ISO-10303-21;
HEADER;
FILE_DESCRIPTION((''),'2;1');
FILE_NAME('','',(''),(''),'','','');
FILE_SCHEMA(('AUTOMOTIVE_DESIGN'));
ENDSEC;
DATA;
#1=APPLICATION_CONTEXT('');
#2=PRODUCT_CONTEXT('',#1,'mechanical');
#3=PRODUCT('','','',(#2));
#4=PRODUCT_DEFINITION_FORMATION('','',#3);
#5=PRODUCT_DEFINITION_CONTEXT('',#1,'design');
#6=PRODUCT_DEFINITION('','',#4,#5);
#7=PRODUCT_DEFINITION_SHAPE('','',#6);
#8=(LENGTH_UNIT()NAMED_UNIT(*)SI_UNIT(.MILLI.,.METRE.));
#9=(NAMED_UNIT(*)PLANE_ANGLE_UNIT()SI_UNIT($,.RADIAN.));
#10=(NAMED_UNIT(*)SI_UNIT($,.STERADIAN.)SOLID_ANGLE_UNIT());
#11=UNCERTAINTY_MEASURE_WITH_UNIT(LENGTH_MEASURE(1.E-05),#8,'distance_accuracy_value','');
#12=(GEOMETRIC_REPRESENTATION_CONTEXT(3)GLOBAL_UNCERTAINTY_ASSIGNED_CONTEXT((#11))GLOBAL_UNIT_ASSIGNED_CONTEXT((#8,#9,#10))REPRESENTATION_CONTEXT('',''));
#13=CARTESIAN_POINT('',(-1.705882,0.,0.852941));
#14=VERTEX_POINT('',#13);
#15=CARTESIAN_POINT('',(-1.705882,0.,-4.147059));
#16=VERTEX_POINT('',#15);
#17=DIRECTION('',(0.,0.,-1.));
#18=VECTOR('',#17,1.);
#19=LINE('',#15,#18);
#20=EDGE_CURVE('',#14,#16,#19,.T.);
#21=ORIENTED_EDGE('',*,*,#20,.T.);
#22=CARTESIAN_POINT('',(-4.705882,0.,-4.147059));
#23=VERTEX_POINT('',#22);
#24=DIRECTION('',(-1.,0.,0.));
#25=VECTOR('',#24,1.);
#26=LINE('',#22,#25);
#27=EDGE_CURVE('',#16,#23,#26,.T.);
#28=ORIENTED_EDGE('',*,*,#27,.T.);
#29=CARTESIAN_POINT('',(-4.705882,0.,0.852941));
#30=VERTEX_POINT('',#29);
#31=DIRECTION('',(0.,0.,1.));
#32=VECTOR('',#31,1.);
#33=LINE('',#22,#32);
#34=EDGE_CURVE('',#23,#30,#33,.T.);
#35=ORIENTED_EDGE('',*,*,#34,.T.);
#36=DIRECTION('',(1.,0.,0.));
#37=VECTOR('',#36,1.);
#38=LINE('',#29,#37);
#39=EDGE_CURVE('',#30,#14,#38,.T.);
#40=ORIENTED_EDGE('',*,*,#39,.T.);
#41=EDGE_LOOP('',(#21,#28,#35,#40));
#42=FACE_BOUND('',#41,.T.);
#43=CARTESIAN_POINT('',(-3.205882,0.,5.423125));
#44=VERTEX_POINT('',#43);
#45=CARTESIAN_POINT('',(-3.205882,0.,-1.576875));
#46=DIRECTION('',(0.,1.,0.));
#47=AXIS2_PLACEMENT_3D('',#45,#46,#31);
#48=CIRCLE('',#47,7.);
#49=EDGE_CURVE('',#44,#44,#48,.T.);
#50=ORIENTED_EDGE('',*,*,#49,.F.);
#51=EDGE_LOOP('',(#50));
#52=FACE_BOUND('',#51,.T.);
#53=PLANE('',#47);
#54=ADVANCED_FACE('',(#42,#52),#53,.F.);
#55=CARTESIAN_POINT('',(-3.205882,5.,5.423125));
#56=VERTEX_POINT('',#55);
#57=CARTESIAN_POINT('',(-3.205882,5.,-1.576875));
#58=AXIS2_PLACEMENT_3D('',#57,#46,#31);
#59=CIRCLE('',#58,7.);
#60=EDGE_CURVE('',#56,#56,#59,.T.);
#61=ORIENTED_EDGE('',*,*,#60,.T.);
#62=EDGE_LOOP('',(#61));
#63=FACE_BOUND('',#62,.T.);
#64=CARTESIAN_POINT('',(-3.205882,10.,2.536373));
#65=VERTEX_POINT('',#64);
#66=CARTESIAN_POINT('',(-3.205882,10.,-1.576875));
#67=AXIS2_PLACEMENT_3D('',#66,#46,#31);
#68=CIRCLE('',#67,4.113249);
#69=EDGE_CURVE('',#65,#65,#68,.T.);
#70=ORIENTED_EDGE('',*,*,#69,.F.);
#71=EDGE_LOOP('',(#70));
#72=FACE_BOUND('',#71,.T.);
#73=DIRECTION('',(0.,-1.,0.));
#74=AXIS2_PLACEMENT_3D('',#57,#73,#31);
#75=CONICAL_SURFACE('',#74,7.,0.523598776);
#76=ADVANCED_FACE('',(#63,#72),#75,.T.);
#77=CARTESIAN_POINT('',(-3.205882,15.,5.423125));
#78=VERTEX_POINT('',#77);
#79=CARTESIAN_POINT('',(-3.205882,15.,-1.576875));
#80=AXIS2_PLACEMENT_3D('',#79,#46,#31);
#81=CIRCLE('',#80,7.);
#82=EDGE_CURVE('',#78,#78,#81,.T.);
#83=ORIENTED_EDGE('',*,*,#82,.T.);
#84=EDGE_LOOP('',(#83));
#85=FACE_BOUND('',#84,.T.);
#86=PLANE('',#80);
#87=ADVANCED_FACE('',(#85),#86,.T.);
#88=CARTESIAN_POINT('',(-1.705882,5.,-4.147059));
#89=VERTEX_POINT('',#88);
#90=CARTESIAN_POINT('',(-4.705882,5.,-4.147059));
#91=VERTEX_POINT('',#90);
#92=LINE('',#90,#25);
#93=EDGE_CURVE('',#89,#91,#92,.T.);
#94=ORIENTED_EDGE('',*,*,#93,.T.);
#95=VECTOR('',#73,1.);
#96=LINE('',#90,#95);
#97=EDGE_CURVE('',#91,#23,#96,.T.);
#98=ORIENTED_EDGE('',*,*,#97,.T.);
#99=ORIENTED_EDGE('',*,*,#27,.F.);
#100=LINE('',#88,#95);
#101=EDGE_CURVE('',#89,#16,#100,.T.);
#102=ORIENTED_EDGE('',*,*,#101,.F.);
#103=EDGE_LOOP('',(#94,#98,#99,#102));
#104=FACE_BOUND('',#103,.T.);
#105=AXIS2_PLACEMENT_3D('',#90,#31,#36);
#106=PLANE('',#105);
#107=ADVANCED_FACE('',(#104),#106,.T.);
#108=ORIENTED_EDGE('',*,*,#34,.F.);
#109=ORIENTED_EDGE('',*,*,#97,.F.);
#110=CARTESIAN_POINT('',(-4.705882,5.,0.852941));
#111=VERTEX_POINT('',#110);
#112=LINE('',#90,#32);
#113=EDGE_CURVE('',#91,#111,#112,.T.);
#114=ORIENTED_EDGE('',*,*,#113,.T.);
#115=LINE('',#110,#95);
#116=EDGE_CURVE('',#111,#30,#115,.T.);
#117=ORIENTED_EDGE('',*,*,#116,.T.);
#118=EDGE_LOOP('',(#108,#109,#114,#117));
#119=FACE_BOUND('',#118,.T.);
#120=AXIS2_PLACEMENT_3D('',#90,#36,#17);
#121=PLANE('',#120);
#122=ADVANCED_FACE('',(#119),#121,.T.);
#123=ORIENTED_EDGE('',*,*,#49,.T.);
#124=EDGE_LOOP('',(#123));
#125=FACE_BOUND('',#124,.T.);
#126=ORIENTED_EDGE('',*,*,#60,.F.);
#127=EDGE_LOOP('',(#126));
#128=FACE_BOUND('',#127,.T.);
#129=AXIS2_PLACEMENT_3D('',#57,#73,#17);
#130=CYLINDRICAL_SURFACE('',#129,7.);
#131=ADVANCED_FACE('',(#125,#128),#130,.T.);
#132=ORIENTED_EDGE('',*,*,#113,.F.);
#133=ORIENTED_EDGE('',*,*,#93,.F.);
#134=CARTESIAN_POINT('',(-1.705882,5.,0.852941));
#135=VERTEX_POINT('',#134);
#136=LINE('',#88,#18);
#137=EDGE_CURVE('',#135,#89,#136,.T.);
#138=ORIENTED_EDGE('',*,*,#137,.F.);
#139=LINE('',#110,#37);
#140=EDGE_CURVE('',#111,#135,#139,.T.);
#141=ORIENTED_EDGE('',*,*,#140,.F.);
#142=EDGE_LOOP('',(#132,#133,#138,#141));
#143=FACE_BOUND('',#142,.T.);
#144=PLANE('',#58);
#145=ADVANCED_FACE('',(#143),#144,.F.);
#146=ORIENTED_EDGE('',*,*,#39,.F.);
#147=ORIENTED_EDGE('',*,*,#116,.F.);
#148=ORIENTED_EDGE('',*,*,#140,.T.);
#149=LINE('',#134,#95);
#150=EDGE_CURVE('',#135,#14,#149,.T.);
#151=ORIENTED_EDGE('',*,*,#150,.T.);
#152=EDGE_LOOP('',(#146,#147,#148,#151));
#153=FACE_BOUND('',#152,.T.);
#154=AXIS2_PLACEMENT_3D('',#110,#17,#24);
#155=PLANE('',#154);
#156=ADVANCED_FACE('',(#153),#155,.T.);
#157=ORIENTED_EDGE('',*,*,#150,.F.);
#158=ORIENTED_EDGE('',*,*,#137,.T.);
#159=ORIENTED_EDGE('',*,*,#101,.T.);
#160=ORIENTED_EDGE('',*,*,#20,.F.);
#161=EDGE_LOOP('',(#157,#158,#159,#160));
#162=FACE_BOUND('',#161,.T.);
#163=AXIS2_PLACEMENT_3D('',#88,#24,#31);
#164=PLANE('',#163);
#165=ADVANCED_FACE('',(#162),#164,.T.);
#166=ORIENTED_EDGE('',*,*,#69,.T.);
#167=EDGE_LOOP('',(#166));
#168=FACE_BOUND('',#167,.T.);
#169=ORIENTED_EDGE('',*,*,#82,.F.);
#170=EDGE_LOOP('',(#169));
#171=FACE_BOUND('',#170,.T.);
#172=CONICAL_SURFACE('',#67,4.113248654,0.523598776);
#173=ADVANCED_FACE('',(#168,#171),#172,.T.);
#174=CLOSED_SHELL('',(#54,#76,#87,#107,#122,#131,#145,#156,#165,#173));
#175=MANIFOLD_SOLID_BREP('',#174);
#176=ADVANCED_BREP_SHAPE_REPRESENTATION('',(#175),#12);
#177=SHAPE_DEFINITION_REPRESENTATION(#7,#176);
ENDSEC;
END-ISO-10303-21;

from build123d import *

# Parameters (mm, degrees)
SKETCH2_R           = 7
SKETCH2_W           = 3
SKETCH2_H           = 5
BOSS_EXTRUDE1_DEPTH = 5
SKETCH3_R           = 7
BOSS_EXTRUDE2_DEPTH = 5
BOSS_EXTRUDE2_TAPER = 30
SKETCH4_R           = 4.113248654
BOSS_EXTRUDE3_DEPTH = 5
BOSS_EXTRUDE3_DRAFT = -30


with BuildPart() as part:
    # Sketch2 → Boss-Extrude1 (new body)
    with BuildSketch(Plane(origin=(0, 0, 0), x_dir=(1, 0, 0), z_dir=(0, 1, 0))):
        with Locations(Location((-3.205882353, 1.576875202, 0), (0, 0, 270))):
            Circle(SKETCH2_R)
        with Locations((-3.205882353, 1.647058824)):
            Rectangle(SKETCH2_W, SKETCH2_H, mode=Mode.SUBTRACT)
    extrude(amount=BOSS_EXTRUDE1_DEPTH)

    # Sketch3 → Boss-Extrude2 (add)
    with BuildSketch(Plane(origin=(0, 5, 0), x_dir=(1, 0, 0), z_dir=(0, 1, 0))):
        with Locations(Location((-3.205882353, 1.576875202, 0), (0, 0, 270))):
            Circle(SKETCH3_R)
    extrude(amount=BOSS_EXTRUDE2_DEPTH, taper=BOSS_EXTRUDE2_TAPER)


with BuildPart() as boss_extrude3_tool:
    # Sketch4 → Boss-Extrude3 (with draft: the straight prism first)
    with BuildSketch(Plane(origin=(0, 10, 0), x_dir=(1, 0, 0), z_dir=(0, 1, 0))):
        with Locations((-3.205882353, 1.576875202)):
            Circle(SKETCH4_R)
    extrude(amount=BOSS_EXTRUDE3_DEPTH)
    # Boss-Extrude3: the draft: its side faces are tilted about the plane it starts from
    boss_extrude3_sides = [boss_extrude3_tool.faces().sort_by_distance(p)[0] for p in [
        (-7.319131007, 12.5, -1.576875202),
    ]]
    draft(boss_extrude3_sides, Plane(origin=(0, 10, 0), x_dir=(1, 0, 0), z_dir=(0, 1, 0)), BOSS_EXTRUDE3_DRAFT)


with BuildPart() as part_1:
    add(part.part)

    # Boss-Extrude3: add boss_extrude3_tool
    add(boss_extrude3_tool.part)


solid = part_1.part
